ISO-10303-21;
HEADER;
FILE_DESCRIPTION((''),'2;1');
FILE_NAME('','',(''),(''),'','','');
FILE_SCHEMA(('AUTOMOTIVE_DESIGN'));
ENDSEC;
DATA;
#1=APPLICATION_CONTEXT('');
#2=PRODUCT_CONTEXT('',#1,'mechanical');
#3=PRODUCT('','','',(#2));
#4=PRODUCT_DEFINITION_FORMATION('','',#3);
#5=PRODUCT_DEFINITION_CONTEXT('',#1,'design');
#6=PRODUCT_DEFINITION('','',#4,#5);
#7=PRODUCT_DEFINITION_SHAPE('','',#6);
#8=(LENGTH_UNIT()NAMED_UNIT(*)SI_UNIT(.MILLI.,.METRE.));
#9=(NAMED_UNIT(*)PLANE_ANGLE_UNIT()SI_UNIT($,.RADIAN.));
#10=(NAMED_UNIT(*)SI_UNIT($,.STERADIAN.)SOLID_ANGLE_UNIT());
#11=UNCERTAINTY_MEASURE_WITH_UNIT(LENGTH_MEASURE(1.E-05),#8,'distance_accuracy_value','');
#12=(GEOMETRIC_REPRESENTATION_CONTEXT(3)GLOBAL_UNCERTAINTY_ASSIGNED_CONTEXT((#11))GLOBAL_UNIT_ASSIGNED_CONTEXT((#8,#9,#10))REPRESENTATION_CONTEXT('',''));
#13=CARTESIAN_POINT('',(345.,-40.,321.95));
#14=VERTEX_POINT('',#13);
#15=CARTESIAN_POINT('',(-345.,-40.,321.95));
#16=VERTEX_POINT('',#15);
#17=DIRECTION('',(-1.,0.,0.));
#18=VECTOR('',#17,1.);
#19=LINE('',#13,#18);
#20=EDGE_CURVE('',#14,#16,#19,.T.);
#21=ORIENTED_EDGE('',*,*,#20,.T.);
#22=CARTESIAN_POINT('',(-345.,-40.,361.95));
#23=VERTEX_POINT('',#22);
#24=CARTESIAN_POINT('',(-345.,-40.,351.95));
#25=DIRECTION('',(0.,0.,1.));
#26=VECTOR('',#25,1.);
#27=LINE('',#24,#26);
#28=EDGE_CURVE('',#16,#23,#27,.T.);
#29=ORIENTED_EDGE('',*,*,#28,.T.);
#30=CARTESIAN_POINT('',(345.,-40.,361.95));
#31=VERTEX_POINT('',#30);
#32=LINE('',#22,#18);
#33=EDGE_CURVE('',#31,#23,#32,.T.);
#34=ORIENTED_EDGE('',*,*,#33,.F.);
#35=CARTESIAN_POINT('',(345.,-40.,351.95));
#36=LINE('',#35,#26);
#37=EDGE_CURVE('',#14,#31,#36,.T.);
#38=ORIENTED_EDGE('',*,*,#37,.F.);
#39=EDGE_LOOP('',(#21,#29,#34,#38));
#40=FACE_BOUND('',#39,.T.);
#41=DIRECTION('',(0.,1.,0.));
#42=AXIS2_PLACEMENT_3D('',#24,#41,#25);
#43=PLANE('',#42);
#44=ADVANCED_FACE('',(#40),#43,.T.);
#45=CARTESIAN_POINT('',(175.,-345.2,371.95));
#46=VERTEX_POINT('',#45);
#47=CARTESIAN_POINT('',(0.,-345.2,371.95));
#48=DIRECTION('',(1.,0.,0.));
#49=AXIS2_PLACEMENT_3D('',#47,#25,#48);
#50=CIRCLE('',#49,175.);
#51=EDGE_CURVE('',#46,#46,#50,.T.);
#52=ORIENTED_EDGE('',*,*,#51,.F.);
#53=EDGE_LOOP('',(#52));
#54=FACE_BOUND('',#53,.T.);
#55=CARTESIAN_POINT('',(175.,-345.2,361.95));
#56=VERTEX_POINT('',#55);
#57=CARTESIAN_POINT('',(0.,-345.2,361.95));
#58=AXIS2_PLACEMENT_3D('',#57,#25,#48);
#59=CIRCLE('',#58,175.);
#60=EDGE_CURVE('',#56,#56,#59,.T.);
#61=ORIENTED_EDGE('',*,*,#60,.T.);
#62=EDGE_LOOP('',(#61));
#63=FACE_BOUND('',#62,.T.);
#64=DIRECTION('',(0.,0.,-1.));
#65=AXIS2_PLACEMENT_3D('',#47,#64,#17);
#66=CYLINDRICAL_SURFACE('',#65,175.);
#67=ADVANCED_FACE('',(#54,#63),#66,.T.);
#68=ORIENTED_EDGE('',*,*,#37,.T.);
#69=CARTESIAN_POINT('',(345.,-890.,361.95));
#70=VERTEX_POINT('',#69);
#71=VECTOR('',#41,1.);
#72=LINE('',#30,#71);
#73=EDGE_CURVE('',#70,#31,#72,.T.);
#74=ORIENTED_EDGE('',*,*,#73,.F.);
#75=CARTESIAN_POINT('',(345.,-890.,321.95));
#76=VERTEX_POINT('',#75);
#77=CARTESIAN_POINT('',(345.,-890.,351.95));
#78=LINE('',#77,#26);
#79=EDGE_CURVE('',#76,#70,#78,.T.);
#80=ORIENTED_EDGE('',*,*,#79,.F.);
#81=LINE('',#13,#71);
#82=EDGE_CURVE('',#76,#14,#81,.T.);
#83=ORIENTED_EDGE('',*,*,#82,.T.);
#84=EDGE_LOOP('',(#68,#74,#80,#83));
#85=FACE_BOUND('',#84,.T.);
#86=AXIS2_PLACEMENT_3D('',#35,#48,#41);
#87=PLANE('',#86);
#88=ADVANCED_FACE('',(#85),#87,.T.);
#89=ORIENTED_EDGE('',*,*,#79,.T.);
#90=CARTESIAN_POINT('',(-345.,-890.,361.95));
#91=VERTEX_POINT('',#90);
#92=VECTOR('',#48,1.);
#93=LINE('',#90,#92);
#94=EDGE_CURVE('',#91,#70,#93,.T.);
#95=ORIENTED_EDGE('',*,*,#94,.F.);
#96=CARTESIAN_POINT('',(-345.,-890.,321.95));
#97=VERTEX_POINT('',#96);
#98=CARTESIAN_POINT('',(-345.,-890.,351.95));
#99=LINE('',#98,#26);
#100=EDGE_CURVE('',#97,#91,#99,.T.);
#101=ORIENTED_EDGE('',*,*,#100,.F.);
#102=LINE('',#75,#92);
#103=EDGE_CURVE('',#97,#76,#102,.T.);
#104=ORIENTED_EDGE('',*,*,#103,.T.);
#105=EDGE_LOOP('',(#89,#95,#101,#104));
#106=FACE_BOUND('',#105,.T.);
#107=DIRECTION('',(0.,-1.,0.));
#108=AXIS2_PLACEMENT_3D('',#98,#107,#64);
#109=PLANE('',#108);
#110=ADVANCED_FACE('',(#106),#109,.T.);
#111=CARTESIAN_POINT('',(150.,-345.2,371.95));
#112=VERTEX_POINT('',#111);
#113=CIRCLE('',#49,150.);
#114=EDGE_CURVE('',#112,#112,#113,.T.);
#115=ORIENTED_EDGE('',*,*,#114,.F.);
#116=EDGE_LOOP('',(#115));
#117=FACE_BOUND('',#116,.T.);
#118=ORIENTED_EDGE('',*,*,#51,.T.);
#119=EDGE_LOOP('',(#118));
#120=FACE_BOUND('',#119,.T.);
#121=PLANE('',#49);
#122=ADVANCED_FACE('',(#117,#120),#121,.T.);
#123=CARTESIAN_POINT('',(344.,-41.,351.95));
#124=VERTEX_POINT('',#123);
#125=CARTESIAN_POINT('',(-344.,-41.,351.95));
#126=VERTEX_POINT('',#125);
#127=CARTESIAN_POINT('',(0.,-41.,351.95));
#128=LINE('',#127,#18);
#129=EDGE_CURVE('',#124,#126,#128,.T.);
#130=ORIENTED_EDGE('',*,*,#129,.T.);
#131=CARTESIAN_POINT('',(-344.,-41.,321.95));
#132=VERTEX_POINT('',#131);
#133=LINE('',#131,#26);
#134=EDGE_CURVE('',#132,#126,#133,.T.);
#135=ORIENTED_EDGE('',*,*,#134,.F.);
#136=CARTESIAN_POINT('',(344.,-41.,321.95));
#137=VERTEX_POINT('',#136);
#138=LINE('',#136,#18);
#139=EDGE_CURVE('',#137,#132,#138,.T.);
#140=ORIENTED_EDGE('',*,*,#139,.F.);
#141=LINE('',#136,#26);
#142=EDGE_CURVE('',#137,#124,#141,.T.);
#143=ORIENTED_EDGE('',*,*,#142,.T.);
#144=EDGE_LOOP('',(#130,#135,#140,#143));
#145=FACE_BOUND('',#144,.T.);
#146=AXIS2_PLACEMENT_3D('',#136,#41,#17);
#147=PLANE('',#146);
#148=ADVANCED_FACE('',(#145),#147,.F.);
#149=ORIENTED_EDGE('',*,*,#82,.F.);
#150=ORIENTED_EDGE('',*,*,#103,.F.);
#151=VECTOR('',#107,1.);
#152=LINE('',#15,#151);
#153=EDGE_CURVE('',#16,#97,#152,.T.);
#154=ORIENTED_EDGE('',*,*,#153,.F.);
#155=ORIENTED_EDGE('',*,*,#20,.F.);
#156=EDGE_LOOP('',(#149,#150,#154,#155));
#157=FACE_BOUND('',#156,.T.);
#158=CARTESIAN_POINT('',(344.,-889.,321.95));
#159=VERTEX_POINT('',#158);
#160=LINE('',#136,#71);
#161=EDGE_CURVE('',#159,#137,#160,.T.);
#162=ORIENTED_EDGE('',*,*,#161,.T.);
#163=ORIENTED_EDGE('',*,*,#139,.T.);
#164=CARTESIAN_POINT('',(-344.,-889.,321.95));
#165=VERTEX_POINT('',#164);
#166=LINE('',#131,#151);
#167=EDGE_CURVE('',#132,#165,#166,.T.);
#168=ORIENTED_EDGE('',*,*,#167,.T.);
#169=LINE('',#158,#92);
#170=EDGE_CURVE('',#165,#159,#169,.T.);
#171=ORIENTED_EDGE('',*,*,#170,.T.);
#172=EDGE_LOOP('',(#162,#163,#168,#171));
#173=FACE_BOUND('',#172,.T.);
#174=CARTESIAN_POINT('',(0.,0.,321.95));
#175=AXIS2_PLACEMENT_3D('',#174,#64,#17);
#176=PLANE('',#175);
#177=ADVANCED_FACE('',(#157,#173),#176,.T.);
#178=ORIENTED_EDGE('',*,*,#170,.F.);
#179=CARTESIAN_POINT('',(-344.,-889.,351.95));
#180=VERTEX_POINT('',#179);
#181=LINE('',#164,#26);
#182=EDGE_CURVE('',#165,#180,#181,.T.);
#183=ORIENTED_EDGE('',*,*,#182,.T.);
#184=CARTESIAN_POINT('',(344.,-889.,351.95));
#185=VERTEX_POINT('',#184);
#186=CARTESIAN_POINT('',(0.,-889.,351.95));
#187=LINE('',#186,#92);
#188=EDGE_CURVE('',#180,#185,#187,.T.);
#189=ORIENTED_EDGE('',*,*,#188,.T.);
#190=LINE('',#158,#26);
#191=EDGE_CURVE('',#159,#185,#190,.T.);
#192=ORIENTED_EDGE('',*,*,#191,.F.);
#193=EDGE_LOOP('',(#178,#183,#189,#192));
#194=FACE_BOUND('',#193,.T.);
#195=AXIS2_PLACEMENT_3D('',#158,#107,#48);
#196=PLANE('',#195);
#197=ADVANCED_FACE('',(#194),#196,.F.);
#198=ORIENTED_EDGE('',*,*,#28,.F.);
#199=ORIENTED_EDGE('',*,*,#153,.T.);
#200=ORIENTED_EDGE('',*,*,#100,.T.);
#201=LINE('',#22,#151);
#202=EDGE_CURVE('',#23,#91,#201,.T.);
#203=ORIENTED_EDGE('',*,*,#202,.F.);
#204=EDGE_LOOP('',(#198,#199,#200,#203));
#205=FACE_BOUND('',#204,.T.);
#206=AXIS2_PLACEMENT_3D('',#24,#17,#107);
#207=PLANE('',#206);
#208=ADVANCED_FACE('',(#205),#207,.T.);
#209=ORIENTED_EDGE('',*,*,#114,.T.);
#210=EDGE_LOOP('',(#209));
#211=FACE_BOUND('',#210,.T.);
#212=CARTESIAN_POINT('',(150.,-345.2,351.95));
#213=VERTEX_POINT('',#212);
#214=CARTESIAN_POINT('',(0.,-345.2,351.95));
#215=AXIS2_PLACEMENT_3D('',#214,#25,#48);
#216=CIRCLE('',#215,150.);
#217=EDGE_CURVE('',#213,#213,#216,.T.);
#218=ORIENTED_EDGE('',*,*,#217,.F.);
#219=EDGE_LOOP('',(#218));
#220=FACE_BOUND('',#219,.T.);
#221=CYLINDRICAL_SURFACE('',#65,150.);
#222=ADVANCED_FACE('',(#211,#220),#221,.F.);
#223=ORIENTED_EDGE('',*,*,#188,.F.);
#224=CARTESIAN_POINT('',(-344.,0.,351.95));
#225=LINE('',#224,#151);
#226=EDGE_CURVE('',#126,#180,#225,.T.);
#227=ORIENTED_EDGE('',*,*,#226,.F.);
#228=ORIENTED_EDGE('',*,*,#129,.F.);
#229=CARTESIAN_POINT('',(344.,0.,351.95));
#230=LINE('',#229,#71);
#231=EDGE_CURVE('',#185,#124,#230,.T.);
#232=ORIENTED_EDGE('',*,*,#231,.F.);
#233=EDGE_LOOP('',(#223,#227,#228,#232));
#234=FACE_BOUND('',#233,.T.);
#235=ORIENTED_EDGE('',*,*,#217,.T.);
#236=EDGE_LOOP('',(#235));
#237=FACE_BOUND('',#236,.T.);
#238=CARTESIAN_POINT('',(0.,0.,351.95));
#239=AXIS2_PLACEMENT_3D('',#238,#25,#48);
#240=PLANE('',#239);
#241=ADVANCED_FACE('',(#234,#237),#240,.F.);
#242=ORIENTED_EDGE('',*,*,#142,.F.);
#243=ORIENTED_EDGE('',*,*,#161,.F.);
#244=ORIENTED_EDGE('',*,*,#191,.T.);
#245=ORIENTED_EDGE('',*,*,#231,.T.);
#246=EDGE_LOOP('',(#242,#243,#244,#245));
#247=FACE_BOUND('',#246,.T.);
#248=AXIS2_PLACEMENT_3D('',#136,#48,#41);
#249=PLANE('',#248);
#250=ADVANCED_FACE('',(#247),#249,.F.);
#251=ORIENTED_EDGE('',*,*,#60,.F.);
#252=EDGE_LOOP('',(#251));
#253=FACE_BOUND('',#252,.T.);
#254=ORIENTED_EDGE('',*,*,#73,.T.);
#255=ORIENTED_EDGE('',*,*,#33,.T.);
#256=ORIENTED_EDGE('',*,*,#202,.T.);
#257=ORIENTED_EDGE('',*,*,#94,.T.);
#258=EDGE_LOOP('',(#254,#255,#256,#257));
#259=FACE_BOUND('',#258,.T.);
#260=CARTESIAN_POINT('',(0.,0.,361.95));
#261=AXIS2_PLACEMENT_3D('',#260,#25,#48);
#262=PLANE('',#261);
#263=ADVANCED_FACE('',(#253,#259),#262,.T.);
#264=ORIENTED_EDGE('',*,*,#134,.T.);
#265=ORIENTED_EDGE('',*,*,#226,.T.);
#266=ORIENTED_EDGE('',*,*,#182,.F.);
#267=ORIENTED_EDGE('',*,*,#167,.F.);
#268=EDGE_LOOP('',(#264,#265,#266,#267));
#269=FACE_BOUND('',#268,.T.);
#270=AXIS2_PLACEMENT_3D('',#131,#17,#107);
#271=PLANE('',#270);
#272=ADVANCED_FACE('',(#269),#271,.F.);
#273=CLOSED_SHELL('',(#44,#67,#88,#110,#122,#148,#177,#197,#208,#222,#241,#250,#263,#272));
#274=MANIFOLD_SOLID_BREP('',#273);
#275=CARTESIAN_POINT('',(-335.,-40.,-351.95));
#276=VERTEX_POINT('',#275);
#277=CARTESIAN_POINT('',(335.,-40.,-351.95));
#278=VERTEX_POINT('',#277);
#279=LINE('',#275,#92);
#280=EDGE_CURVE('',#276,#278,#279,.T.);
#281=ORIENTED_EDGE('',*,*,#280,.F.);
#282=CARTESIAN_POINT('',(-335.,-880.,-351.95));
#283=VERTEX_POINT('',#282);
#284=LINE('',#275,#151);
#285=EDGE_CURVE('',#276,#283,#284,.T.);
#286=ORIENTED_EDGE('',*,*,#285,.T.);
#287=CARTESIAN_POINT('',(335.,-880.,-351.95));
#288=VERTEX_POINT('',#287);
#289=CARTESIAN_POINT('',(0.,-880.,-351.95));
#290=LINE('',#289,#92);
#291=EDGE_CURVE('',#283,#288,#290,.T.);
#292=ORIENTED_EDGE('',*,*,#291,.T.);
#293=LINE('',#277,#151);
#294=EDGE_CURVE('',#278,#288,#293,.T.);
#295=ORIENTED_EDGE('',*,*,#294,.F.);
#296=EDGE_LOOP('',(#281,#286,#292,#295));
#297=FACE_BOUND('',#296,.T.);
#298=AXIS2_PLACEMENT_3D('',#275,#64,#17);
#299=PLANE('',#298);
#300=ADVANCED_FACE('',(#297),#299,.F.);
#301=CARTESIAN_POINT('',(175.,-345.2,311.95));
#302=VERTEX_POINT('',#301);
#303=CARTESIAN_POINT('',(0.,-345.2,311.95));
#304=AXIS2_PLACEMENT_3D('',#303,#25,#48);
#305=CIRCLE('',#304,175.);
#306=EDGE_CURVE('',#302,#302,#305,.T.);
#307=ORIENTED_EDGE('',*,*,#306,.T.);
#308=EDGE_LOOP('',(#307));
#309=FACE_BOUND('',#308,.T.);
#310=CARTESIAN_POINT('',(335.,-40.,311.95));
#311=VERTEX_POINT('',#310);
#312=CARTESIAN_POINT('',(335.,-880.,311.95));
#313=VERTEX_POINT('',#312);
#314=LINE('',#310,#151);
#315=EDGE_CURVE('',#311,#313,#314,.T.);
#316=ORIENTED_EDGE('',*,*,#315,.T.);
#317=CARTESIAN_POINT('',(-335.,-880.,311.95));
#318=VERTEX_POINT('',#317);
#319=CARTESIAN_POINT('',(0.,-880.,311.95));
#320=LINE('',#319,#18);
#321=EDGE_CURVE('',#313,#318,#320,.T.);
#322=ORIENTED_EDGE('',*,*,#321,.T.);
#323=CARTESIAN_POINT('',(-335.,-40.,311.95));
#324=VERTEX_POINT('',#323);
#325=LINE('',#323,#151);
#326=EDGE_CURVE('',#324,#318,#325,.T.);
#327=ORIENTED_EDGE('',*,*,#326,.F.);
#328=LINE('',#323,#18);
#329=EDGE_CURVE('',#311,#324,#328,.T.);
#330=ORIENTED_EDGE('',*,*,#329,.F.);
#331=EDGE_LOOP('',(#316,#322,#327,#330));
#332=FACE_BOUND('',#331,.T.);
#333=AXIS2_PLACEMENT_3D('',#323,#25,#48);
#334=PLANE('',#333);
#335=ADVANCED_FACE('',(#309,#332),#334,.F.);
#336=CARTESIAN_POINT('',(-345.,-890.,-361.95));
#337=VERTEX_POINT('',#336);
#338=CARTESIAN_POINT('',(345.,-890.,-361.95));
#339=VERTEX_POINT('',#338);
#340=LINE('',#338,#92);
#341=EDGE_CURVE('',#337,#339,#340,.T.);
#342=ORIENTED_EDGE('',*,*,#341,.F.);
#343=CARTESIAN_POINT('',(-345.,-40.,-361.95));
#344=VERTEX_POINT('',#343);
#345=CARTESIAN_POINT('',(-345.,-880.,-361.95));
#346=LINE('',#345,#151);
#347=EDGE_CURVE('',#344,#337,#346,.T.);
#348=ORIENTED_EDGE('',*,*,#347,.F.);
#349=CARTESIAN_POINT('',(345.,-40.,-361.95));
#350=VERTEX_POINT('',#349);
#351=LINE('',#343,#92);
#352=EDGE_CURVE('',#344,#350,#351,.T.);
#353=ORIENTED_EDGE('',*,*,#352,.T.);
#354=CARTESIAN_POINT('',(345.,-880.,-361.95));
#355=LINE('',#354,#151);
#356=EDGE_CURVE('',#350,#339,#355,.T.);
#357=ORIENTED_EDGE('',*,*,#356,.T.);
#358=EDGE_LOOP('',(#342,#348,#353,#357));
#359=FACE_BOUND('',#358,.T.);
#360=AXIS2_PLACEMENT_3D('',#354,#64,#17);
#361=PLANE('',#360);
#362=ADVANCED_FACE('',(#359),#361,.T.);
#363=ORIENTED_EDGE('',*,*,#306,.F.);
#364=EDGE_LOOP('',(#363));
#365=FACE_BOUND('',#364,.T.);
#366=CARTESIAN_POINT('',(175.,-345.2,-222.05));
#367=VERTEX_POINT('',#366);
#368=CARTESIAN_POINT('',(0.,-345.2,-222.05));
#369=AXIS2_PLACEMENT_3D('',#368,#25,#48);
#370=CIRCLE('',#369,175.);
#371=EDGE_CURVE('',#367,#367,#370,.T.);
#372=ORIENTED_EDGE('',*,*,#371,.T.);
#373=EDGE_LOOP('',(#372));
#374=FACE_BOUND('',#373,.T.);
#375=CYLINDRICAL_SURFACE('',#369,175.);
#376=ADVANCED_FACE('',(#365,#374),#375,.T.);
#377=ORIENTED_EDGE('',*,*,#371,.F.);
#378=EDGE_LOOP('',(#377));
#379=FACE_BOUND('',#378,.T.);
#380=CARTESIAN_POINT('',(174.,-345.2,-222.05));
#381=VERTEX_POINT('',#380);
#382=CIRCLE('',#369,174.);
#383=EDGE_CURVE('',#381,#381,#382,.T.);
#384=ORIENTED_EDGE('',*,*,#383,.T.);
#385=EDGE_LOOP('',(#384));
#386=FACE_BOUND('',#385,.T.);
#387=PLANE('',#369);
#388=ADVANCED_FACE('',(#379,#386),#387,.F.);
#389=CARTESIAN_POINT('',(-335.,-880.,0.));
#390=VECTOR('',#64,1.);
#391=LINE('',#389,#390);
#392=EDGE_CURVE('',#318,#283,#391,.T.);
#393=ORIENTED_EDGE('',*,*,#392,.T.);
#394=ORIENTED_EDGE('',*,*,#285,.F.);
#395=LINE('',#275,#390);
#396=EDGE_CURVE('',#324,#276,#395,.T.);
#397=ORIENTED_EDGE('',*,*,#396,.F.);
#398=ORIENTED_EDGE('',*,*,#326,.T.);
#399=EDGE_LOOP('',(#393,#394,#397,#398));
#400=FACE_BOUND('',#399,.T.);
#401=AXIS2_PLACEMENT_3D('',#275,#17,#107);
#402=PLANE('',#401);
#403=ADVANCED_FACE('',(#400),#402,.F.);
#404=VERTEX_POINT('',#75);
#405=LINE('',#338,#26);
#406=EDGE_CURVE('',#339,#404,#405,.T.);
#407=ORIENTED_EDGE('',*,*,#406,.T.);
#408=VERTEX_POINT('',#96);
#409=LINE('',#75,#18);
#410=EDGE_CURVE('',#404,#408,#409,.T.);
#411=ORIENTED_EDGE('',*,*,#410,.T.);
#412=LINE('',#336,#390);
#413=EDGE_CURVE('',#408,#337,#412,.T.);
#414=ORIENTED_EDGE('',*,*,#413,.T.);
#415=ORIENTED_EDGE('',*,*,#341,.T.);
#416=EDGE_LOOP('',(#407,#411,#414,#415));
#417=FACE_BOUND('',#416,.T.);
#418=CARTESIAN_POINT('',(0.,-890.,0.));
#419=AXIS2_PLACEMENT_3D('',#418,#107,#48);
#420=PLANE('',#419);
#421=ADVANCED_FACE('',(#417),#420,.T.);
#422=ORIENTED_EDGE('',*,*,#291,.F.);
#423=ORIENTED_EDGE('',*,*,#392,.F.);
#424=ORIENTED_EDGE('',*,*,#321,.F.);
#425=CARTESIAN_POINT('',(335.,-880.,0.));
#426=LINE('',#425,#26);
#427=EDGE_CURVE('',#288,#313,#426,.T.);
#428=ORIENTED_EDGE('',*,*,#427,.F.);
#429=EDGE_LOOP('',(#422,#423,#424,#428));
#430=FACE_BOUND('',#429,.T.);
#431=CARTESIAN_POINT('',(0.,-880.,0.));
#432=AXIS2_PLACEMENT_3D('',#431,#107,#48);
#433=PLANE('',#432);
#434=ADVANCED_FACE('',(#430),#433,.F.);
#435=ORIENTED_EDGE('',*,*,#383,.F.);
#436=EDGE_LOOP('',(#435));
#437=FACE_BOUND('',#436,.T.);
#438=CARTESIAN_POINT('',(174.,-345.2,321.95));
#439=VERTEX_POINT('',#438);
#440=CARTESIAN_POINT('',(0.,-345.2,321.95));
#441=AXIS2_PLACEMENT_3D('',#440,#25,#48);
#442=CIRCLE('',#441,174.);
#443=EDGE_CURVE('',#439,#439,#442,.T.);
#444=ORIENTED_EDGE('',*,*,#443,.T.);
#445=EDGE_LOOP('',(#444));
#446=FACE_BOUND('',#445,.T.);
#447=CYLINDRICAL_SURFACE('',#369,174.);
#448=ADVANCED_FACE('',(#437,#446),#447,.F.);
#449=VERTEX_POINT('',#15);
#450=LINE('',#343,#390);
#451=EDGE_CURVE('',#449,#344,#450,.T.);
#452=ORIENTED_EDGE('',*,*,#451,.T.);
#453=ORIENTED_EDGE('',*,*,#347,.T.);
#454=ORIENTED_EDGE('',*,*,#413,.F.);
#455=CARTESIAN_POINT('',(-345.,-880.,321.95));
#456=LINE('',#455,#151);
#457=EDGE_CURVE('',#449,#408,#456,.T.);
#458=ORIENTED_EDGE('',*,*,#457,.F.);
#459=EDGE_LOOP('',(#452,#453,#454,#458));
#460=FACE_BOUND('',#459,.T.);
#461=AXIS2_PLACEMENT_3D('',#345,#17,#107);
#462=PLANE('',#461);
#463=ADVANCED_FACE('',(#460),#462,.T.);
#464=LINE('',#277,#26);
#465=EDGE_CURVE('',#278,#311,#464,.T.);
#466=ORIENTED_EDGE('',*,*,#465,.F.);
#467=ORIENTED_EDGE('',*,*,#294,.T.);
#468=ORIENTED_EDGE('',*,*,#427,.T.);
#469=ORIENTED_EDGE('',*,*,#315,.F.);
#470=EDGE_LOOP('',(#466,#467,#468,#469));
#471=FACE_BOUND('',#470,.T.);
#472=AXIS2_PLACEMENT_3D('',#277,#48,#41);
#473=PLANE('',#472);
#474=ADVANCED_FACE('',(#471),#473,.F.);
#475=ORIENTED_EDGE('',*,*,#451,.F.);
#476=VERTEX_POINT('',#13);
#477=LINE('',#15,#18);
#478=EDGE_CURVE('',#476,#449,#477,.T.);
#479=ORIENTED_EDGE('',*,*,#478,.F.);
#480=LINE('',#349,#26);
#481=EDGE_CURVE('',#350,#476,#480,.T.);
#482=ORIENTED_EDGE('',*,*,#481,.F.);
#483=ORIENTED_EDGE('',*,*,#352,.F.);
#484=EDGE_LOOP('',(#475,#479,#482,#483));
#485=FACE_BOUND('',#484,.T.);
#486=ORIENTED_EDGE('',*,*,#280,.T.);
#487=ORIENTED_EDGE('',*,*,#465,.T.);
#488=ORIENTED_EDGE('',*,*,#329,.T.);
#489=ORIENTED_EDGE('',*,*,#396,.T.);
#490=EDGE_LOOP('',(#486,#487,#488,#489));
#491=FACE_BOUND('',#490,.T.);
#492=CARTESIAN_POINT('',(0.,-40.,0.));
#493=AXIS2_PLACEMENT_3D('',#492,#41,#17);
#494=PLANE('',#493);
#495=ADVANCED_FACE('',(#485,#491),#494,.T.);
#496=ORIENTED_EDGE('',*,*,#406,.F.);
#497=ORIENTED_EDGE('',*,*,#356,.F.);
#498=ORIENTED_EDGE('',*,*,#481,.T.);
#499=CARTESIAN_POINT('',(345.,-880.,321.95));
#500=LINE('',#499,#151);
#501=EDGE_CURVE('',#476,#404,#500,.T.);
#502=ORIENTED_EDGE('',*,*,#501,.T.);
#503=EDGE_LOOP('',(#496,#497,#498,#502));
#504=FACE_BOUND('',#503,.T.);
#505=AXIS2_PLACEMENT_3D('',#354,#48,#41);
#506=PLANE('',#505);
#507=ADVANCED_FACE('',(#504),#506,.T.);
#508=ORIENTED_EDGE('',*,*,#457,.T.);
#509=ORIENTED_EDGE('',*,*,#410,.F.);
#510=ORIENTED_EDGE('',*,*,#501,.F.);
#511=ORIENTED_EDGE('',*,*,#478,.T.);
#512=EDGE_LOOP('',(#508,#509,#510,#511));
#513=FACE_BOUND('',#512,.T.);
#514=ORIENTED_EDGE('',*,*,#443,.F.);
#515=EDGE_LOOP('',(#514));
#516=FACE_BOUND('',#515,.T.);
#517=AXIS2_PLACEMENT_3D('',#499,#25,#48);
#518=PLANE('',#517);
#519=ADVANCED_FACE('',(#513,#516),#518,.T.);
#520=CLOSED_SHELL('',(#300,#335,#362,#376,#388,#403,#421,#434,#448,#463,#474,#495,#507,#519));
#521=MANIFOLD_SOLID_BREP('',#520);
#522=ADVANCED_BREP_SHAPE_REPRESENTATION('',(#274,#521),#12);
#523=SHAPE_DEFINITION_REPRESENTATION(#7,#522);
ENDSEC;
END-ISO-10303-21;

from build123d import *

# Parameters (mm, degrees)
SKETCH2_W           = 690
SKETCH2_H           = 683.9
BOSS_EXTRUDE2_DEPTH = 10
SKETCH3_W           = 690
SKETCH3_H           = 683.9
SKETCH3_W_2         = 670
SKETCH3_H_2         = 663.9
BOSS_EXTRUDE3_DEPTH = 850
SKETCH4_R           = 175
CUT_EXTRUDE7_DEPTH  = 30
SKETCH5_W           = 690
SKETCH5_H           = 850
BOSS_EXTRUDE4_DEPTH = 10
SKETCH7_W           = 690
SKETCH7_H           = 850
SKETCH7_W_2         = 688
SKETCH7_H_2         = 848
BOSS_EXTRUDE5_DEPTH = 40
SKETCH6_R           = 175
SKETCH6_R_2         = 150
BOSS_EXTRUDE6_DEPTH = 10
SKETCH9_R           = 175
SKETCH9_R_2         = 174
BOSS_EXTRUDE8_DEPTH = 544
SKETCH10_R          = 150
CUT_EXTRUDE8_DEPTH  = 50


with BuildPart() as part:
    # Sketch2 → Boss-Extrude2 (new body)
    with BuildSketch(Plane(origin=(0, -890, 0), x_dir=(-1, 0, 0), z_dir=(0, -1, 0))):
        with Locations((0, 20)):
            Rectangle(SKETCH2_W, SKETCH2_H)
    extrude(amount=-BOSS_EXTRUDE2_DEPTH)

    # Sketch3 → Boss-Extrude3 (add)
    with BuildSketch(Plane(origin=(0, -890, 0), x_dir=(-1, 0, 0), z_dir=(0, -1, 0))):
        with Locations((0, 20)):
            Rectangle(SKETCH3_W, SKETCH3_H)
        with Locations((0, 20)):
            Rectangle(SKETCH3_W_2, SKETCH3_H_2, mode=Mode.SUBTRACT)
    extrude(amount=-BOSS_EXTRUDE3_DEPTH)

    # Sketch4 → Cut-Extrude7 (cut)
    with BuildSketch(Plane.XY.offset(321.95)):
        with Locations((0, -345.2)):
            Circle(SKETCH4_R)
    extrude(amount=-CUT_EXTRUDE7_DEPTH, mode=Mode.SUBTRACT)

    # Sketch9 → Boss-Extrude8 (add)
    with BuildSketch(Plane.XY.offset(321.95)):
        with Locations((0, -345.2)):
            Circle(SKETCH9_R)
        with Locations((0, -345.2)):
            Circle(SKETCH9_R_2, mode=Mode.SUBTRACT)
    extrude(amount=-BOSS_EXTRUDE8_DEPTH)


with BuildPart() as body_2:
    # Sketch5 → Boss-Extrude4 (new body)
    with BuildSketch(Plane.XY.offset(361.95)):
        with Locations((0, -465)):
            Rectangle(SKETCH5_W, SKETCH5_H)
    extrude(amount=-BOSS_EXTRUDE4_DEPTH)

    # Sketch7 → Boss-Extrude5 (add)
    with BuildSketch(Plane.XY.offset(361.95)):
        with Locations((0, -465)):
            Rectangle(SKETCH7_W, SKETCH7_H)
        with Locations((0, -465)):
            Rectangle(SKETCH7_W_2, SKETCH7_H_2, mode=Mode.SUBTRACT)
    extrude(amount=-BOSS_EXTRUDE5_DEPTH)

    # Sketch6 → Boss-Extrude6 (add)
    with BuildSketch(Plane.XY.offset(361.95)):
        with Locations((0, -345.2)):
            Circle(SKETCH6_R)
        with Locations((0, -345.2)):
            Circle(SKETCH6_R_2, mode=Mode.SUBTRACT)
    extrude(amount=BOSS_EXTRUDE6_DEPTH)

    # Sketch10 → Cut-Extrude8 (cut)
    with BuildSketch(Plane.XY.offset(361.95)):
        with Locations((0, -345.2)):
            Circle(SKETCH10_R)
    extrude(amount=-CUT_EXTRUDE8_DEPTH, mode=Mode.SUBTRACT)


solid = Compound([part.part, body_2.part])
